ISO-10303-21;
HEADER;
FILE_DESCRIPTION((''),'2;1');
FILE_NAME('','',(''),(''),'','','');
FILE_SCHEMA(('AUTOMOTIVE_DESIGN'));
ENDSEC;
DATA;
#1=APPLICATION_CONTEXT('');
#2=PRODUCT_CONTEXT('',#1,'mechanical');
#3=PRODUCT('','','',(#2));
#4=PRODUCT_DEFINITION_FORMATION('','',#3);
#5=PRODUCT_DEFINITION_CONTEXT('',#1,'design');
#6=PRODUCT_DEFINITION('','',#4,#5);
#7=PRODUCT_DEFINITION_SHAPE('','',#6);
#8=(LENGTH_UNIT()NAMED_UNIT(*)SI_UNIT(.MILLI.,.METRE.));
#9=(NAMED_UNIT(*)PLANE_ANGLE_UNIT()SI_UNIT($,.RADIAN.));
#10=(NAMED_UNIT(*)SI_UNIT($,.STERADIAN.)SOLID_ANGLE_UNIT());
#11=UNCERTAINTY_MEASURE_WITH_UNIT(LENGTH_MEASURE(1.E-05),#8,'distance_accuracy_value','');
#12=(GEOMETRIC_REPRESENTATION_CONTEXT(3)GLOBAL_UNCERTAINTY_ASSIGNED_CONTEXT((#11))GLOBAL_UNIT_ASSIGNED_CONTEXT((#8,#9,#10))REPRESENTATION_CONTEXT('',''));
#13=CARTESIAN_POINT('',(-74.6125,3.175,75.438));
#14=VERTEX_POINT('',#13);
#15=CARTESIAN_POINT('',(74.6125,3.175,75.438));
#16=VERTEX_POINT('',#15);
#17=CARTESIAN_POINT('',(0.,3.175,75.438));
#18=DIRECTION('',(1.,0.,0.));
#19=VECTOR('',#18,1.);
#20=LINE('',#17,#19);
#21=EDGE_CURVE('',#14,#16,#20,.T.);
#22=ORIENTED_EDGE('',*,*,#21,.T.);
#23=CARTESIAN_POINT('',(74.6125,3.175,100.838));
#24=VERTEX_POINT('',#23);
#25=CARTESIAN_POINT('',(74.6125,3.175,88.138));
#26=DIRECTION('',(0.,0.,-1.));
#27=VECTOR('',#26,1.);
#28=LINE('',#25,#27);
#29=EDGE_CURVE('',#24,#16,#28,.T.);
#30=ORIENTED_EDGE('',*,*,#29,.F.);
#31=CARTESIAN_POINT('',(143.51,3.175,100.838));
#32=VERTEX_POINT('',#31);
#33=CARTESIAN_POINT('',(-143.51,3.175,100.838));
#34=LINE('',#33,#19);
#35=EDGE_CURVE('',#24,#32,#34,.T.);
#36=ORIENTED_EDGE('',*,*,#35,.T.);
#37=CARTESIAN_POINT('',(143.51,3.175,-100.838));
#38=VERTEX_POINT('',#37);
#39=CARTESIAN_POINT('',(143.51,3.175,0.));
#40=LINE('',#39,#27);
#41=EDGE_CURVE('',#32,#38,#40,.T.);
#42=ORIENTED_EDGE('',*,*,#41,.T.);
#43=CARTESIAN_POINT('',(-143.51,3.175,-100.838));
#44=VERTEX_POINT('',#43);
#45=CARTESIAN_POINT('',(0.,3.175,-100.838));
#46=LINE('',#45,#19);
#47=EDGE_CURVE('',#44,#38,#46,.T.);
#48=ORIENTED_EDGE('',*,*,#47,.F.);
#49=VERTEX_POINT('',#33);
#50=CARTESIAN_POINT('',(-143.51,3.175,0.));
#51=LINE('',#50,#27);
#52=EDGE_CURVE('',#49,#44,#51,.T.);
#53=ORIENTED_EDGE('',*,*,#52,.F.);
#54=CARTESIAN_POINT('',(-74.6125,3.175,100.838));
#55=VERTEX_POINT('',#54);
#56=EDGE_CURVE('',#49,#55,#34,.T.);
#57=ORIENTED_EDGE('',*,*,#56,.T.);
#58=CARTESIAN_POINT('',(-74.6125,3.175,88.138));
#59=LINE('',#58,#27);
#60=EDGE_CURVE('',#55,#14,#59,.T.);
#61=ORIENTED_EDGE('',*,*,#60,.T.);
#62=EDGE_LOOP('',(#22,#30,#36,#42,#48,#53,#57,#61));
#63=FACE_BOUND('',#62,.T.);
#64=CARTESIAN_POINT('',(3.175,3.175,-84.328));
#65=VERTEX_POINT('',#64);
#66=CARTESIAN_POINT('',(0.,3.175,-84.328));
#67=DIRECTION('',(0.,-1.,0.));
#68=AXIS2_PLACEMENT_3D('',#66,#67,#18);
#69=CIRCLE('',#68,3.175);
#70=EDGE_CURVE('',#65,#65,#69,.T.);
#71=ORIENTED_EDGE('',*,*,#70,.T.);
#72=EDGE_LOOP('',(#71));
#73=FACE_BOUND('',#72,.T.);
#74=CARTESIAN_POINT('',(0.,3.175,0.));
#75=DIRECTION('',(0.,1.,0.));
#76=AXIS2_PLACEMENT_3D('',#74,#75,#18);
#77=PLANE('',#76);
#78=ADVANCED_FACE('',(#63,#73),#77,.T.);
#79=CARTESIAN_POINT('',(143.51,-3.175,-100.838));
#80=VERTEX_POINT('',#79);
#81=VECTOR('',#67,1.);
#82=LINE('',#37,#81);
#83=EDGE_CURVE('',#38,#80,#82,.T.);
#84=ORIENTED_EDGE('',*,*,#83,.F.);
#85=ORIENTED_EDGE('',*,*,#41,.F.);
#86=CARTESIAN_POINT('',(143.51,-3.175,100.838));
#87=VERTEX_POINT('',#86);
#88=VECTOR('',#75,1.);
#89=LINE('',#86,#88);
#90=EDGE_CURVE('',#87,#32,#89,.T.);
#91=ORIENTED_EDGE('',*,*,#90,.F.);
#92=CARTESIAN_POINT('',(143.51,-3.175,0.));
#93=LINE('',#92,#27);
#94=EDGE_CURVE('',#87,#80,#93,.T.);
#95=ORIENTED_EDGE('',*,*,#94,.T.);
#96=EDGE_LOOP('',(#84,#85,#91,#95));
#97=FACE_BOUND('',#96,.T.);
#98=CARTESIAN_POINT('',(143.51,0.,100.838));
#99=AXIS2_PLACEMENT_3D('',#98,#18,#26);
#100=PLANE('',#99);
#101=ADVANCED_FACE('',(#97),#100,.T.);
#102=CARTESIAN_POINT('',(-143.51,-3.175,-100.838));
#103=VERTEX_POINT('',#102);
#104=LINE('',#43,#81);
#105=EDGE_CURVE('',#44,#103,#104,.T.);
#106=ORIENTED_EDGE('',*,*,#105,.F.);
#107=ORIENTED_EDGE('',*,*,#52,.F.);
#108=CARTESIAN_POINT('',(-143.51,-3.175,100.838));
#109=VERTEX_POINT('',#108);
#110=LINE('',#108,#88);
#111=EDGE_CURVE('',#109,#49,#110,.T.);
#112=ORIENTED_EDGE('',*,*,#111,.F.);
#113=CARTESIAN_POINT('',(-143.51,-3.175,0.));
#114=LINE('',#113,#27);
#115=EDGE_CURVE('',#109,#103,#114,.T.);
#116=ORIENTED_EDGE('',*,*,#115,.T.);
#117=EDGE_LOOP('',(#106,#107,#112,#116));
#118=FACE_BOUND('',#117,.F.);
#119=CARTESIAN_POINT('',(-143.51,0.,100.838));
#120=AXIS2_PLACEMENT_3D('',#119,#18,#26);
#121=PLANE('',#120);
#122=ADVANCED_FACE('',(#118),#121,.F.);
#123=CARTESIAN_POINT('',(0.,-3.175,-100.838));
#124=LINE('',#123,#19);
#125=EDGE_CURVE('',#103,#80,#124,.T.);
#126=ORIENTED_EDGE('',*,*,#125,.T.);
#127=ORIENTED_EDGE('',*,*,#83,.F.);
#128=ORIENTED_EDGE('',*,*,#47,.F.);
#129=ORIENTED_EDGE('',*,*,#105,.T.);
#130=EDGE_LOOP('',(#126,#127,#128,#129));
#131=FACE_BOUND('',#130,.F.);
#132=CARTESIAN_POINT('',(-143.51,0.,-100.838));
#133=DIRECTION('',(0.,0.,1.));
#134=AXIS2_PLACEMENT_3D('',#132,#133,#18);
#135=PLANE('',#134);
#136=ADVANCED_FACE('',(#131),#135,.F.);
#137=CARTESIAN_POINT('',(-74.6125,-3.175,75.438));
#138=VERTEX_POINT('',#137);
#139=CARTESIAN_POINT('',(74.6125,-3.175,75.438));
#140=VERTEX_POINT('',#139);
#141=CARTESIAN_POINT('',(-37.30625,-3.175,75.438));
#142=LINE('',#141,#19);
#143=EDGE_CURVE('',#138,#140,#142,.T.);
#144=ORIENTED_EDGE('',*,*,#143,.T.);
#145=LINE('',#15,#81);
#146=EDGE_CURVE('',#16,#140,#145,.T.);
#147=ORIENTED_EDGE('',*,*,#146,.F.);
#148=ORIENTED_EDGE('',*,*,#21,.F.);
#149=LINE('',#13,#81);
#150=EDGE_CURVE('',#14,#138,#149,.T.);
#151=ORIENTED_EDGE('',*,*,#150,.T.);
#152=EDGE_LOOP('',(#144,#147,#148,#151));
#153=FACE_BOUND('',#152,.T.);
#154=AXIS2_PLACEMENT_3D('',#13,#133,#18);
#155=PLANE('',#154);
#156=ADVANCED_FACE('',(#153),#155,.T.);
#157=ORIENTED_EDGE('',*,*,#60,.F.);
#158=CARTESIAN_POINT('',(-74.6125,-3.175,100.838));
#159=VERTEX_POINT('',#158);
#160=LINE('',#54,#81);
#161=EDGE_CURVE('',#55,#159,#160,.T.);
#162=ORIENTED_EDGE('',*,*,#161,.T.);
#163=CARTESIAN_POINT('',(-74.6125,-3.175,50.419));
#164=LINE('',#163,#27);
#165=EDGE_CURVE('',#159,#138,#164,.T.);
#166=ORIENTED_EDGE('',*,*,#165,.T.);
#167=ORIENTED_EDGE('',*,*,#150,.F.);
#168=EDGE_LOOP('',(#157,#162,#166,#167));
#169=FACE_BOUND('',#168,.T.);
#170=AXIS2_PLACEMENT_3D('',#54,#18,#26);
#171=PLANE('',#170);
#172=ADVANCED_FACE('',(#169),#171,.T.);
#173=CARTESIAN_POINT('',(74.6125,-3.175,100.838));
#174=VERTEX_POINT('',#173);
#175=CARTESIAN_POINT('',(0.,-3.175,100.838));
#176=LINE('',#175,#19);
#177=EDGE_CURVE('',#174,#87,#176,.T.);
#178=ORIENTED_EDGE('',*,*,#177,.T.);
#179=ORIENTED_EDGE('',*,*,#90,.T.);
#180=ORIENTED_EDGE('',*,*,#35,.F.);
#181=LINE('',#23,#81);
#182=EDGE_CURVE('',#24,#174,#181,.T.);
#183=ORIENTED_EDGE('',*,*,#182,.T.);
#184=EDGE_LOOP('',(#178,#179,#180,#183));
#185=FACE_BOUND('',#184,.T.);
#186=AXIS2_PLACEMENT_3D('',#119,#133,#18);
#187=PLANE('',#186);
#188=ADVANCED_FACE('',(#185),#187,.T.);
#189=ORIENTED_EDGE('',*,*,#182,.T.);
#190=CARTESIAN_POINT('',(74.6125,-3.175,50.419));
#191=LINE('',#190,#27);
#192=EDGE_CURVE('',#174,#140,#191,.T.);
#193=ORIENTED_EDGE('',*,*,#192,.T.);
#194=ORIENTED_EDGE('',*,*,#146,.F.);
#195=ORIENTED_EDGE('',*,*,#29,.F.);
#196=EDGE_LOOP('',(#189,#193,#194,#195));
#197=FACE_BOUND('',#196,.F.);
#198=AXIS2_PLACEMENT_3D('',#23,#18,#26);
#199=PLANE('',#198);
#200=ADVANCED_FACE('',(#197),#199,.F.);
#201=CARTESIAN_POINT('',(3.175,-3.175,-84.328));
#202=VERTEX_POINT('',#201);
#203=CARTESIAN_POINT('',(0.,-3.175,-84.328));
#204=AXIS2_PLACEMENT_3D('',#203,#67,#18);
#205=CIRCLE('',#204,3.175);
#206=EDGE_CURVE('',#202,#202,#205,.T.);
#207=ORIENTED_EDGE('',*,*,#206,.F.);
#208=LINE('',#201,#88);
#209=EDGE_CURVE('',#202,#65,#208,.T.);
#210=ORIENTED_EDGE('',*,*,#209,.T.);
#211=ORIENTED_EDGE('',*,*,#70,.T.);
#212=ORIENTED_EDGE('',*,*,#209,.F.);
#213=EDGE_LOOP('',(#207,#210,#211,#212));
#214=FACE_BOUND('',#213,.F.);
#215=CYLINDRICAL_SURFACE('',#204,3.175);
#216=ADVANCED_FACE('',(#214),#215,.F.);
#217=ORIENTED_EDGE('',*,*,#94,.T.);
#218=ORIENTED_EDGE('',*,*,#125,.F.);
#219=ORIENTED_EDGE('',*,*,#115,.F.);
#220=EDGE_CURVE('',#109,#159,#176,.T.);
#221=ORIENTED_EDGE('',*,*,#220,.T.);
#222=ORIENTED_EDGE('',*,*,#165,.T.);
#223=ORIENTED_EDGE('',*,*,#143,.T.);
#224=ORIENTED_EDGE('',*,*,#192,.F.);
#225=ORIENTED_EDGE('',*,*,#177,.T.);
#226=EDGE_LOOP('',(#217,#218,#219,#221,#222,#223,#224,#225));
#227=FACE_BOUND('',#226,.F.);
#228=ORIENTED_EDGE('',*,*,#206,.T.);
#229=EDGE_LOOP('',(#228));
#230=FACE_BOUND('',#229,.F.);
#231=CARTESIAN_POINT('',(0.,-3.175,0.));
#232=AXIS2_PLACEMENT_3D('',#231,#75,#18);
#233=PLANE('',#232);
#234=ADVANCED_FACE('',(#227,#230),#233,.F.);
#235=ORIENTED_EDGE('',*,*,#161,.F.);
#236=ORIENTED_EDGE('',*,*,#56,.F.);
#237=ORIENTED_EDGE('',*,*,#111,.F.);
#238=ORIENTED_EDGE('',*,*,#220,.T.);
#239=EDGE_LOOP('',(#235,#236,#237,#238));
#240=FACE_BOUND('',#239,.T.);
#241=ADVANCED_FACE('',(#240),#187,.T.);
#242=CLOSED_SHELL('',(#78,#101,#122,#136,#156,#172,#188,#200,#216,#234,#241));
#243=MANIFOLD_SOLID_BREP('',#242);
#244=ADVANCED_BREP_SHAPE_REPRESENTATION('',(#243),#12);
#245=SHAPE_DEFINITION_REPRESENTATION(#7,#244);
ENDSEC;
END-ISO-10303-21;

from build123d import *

# Parameters (mm, degrees)
SKETCH1_W               = 287.02
SKETCH1_H               = 201.676
BOSS_EXTRUDE1_DEPTH     = 3.175
SKETCH2_W               = 149.225
SKETCH2_H               = 25.4
CUT_EXTRUDE1_DEPTH      = 1
CUT_EXTRUDE1_DEPTH_BACK = 7.35
SKETCH3_R               = 3.175
CUT_EXTRUDE2_DEPTH      = 1
CUT_EXTRUDE2_DEPTH_BACK = 7.35


with BuildPart() as part:
    # Sketch1 → Boss-Extrude1 (new body, symmetric)
    with BuildSketch(Plane(origin=(0, 0, 0), x_dir=(1, 0, 0), z_dir=(0, 1, 0))):
        Rectangle(SKETCH1_W, SKETCH1_H)
    extrude(amount=BOSS_EXTRUDE1_DEPTH, both=True)

    # Sketch2 → Cut-Extrude1 (cut, two sides)
    with BuildSketch(Plane(origin=(0, 3.175, 0), x_dir=(1, 0, 0), z_dir=(0, 1, 0))) as cut_extrude1_sk:
        with Locations((0, -88.138)):
            Rectangle(SKETCH2_W, SKETCH2_H)
    extrude(amount=CUT_EXTRUDE1_DEPTH, mode=Mode.SUBTRACT)
    extrude(cut_extrude1_sk.sketch, amount=-CUT_EXTRUDE1_DEPTH_BACK, mode=Mode.SUBTRACT)

    # Sketch3 → Cut-Extrude2 (cut, two sides)
    with BuildSketch(Plane.XZ.offset(3.175)) as cut_extrude2_sk:
        with Locations((41.91, 88.138)):
            Circle(SKETCH3_R)
        with Locations((0, -84.328)):
            Circle(SKETCH3_R)
        with Locations((-41.91, 88.138)):
            Circle(SKETCH3_R)
    extrude(amount=CUT_EXTRUDE2_DEPTH, mode=Mode.SUBTRACT)
    extrude(cut_extrude2_sk.sketch, amount=-CUT_EXTRUDE2_DEPTH_BACK, mode=Mode.SUBTRACT)


solid = part.part
